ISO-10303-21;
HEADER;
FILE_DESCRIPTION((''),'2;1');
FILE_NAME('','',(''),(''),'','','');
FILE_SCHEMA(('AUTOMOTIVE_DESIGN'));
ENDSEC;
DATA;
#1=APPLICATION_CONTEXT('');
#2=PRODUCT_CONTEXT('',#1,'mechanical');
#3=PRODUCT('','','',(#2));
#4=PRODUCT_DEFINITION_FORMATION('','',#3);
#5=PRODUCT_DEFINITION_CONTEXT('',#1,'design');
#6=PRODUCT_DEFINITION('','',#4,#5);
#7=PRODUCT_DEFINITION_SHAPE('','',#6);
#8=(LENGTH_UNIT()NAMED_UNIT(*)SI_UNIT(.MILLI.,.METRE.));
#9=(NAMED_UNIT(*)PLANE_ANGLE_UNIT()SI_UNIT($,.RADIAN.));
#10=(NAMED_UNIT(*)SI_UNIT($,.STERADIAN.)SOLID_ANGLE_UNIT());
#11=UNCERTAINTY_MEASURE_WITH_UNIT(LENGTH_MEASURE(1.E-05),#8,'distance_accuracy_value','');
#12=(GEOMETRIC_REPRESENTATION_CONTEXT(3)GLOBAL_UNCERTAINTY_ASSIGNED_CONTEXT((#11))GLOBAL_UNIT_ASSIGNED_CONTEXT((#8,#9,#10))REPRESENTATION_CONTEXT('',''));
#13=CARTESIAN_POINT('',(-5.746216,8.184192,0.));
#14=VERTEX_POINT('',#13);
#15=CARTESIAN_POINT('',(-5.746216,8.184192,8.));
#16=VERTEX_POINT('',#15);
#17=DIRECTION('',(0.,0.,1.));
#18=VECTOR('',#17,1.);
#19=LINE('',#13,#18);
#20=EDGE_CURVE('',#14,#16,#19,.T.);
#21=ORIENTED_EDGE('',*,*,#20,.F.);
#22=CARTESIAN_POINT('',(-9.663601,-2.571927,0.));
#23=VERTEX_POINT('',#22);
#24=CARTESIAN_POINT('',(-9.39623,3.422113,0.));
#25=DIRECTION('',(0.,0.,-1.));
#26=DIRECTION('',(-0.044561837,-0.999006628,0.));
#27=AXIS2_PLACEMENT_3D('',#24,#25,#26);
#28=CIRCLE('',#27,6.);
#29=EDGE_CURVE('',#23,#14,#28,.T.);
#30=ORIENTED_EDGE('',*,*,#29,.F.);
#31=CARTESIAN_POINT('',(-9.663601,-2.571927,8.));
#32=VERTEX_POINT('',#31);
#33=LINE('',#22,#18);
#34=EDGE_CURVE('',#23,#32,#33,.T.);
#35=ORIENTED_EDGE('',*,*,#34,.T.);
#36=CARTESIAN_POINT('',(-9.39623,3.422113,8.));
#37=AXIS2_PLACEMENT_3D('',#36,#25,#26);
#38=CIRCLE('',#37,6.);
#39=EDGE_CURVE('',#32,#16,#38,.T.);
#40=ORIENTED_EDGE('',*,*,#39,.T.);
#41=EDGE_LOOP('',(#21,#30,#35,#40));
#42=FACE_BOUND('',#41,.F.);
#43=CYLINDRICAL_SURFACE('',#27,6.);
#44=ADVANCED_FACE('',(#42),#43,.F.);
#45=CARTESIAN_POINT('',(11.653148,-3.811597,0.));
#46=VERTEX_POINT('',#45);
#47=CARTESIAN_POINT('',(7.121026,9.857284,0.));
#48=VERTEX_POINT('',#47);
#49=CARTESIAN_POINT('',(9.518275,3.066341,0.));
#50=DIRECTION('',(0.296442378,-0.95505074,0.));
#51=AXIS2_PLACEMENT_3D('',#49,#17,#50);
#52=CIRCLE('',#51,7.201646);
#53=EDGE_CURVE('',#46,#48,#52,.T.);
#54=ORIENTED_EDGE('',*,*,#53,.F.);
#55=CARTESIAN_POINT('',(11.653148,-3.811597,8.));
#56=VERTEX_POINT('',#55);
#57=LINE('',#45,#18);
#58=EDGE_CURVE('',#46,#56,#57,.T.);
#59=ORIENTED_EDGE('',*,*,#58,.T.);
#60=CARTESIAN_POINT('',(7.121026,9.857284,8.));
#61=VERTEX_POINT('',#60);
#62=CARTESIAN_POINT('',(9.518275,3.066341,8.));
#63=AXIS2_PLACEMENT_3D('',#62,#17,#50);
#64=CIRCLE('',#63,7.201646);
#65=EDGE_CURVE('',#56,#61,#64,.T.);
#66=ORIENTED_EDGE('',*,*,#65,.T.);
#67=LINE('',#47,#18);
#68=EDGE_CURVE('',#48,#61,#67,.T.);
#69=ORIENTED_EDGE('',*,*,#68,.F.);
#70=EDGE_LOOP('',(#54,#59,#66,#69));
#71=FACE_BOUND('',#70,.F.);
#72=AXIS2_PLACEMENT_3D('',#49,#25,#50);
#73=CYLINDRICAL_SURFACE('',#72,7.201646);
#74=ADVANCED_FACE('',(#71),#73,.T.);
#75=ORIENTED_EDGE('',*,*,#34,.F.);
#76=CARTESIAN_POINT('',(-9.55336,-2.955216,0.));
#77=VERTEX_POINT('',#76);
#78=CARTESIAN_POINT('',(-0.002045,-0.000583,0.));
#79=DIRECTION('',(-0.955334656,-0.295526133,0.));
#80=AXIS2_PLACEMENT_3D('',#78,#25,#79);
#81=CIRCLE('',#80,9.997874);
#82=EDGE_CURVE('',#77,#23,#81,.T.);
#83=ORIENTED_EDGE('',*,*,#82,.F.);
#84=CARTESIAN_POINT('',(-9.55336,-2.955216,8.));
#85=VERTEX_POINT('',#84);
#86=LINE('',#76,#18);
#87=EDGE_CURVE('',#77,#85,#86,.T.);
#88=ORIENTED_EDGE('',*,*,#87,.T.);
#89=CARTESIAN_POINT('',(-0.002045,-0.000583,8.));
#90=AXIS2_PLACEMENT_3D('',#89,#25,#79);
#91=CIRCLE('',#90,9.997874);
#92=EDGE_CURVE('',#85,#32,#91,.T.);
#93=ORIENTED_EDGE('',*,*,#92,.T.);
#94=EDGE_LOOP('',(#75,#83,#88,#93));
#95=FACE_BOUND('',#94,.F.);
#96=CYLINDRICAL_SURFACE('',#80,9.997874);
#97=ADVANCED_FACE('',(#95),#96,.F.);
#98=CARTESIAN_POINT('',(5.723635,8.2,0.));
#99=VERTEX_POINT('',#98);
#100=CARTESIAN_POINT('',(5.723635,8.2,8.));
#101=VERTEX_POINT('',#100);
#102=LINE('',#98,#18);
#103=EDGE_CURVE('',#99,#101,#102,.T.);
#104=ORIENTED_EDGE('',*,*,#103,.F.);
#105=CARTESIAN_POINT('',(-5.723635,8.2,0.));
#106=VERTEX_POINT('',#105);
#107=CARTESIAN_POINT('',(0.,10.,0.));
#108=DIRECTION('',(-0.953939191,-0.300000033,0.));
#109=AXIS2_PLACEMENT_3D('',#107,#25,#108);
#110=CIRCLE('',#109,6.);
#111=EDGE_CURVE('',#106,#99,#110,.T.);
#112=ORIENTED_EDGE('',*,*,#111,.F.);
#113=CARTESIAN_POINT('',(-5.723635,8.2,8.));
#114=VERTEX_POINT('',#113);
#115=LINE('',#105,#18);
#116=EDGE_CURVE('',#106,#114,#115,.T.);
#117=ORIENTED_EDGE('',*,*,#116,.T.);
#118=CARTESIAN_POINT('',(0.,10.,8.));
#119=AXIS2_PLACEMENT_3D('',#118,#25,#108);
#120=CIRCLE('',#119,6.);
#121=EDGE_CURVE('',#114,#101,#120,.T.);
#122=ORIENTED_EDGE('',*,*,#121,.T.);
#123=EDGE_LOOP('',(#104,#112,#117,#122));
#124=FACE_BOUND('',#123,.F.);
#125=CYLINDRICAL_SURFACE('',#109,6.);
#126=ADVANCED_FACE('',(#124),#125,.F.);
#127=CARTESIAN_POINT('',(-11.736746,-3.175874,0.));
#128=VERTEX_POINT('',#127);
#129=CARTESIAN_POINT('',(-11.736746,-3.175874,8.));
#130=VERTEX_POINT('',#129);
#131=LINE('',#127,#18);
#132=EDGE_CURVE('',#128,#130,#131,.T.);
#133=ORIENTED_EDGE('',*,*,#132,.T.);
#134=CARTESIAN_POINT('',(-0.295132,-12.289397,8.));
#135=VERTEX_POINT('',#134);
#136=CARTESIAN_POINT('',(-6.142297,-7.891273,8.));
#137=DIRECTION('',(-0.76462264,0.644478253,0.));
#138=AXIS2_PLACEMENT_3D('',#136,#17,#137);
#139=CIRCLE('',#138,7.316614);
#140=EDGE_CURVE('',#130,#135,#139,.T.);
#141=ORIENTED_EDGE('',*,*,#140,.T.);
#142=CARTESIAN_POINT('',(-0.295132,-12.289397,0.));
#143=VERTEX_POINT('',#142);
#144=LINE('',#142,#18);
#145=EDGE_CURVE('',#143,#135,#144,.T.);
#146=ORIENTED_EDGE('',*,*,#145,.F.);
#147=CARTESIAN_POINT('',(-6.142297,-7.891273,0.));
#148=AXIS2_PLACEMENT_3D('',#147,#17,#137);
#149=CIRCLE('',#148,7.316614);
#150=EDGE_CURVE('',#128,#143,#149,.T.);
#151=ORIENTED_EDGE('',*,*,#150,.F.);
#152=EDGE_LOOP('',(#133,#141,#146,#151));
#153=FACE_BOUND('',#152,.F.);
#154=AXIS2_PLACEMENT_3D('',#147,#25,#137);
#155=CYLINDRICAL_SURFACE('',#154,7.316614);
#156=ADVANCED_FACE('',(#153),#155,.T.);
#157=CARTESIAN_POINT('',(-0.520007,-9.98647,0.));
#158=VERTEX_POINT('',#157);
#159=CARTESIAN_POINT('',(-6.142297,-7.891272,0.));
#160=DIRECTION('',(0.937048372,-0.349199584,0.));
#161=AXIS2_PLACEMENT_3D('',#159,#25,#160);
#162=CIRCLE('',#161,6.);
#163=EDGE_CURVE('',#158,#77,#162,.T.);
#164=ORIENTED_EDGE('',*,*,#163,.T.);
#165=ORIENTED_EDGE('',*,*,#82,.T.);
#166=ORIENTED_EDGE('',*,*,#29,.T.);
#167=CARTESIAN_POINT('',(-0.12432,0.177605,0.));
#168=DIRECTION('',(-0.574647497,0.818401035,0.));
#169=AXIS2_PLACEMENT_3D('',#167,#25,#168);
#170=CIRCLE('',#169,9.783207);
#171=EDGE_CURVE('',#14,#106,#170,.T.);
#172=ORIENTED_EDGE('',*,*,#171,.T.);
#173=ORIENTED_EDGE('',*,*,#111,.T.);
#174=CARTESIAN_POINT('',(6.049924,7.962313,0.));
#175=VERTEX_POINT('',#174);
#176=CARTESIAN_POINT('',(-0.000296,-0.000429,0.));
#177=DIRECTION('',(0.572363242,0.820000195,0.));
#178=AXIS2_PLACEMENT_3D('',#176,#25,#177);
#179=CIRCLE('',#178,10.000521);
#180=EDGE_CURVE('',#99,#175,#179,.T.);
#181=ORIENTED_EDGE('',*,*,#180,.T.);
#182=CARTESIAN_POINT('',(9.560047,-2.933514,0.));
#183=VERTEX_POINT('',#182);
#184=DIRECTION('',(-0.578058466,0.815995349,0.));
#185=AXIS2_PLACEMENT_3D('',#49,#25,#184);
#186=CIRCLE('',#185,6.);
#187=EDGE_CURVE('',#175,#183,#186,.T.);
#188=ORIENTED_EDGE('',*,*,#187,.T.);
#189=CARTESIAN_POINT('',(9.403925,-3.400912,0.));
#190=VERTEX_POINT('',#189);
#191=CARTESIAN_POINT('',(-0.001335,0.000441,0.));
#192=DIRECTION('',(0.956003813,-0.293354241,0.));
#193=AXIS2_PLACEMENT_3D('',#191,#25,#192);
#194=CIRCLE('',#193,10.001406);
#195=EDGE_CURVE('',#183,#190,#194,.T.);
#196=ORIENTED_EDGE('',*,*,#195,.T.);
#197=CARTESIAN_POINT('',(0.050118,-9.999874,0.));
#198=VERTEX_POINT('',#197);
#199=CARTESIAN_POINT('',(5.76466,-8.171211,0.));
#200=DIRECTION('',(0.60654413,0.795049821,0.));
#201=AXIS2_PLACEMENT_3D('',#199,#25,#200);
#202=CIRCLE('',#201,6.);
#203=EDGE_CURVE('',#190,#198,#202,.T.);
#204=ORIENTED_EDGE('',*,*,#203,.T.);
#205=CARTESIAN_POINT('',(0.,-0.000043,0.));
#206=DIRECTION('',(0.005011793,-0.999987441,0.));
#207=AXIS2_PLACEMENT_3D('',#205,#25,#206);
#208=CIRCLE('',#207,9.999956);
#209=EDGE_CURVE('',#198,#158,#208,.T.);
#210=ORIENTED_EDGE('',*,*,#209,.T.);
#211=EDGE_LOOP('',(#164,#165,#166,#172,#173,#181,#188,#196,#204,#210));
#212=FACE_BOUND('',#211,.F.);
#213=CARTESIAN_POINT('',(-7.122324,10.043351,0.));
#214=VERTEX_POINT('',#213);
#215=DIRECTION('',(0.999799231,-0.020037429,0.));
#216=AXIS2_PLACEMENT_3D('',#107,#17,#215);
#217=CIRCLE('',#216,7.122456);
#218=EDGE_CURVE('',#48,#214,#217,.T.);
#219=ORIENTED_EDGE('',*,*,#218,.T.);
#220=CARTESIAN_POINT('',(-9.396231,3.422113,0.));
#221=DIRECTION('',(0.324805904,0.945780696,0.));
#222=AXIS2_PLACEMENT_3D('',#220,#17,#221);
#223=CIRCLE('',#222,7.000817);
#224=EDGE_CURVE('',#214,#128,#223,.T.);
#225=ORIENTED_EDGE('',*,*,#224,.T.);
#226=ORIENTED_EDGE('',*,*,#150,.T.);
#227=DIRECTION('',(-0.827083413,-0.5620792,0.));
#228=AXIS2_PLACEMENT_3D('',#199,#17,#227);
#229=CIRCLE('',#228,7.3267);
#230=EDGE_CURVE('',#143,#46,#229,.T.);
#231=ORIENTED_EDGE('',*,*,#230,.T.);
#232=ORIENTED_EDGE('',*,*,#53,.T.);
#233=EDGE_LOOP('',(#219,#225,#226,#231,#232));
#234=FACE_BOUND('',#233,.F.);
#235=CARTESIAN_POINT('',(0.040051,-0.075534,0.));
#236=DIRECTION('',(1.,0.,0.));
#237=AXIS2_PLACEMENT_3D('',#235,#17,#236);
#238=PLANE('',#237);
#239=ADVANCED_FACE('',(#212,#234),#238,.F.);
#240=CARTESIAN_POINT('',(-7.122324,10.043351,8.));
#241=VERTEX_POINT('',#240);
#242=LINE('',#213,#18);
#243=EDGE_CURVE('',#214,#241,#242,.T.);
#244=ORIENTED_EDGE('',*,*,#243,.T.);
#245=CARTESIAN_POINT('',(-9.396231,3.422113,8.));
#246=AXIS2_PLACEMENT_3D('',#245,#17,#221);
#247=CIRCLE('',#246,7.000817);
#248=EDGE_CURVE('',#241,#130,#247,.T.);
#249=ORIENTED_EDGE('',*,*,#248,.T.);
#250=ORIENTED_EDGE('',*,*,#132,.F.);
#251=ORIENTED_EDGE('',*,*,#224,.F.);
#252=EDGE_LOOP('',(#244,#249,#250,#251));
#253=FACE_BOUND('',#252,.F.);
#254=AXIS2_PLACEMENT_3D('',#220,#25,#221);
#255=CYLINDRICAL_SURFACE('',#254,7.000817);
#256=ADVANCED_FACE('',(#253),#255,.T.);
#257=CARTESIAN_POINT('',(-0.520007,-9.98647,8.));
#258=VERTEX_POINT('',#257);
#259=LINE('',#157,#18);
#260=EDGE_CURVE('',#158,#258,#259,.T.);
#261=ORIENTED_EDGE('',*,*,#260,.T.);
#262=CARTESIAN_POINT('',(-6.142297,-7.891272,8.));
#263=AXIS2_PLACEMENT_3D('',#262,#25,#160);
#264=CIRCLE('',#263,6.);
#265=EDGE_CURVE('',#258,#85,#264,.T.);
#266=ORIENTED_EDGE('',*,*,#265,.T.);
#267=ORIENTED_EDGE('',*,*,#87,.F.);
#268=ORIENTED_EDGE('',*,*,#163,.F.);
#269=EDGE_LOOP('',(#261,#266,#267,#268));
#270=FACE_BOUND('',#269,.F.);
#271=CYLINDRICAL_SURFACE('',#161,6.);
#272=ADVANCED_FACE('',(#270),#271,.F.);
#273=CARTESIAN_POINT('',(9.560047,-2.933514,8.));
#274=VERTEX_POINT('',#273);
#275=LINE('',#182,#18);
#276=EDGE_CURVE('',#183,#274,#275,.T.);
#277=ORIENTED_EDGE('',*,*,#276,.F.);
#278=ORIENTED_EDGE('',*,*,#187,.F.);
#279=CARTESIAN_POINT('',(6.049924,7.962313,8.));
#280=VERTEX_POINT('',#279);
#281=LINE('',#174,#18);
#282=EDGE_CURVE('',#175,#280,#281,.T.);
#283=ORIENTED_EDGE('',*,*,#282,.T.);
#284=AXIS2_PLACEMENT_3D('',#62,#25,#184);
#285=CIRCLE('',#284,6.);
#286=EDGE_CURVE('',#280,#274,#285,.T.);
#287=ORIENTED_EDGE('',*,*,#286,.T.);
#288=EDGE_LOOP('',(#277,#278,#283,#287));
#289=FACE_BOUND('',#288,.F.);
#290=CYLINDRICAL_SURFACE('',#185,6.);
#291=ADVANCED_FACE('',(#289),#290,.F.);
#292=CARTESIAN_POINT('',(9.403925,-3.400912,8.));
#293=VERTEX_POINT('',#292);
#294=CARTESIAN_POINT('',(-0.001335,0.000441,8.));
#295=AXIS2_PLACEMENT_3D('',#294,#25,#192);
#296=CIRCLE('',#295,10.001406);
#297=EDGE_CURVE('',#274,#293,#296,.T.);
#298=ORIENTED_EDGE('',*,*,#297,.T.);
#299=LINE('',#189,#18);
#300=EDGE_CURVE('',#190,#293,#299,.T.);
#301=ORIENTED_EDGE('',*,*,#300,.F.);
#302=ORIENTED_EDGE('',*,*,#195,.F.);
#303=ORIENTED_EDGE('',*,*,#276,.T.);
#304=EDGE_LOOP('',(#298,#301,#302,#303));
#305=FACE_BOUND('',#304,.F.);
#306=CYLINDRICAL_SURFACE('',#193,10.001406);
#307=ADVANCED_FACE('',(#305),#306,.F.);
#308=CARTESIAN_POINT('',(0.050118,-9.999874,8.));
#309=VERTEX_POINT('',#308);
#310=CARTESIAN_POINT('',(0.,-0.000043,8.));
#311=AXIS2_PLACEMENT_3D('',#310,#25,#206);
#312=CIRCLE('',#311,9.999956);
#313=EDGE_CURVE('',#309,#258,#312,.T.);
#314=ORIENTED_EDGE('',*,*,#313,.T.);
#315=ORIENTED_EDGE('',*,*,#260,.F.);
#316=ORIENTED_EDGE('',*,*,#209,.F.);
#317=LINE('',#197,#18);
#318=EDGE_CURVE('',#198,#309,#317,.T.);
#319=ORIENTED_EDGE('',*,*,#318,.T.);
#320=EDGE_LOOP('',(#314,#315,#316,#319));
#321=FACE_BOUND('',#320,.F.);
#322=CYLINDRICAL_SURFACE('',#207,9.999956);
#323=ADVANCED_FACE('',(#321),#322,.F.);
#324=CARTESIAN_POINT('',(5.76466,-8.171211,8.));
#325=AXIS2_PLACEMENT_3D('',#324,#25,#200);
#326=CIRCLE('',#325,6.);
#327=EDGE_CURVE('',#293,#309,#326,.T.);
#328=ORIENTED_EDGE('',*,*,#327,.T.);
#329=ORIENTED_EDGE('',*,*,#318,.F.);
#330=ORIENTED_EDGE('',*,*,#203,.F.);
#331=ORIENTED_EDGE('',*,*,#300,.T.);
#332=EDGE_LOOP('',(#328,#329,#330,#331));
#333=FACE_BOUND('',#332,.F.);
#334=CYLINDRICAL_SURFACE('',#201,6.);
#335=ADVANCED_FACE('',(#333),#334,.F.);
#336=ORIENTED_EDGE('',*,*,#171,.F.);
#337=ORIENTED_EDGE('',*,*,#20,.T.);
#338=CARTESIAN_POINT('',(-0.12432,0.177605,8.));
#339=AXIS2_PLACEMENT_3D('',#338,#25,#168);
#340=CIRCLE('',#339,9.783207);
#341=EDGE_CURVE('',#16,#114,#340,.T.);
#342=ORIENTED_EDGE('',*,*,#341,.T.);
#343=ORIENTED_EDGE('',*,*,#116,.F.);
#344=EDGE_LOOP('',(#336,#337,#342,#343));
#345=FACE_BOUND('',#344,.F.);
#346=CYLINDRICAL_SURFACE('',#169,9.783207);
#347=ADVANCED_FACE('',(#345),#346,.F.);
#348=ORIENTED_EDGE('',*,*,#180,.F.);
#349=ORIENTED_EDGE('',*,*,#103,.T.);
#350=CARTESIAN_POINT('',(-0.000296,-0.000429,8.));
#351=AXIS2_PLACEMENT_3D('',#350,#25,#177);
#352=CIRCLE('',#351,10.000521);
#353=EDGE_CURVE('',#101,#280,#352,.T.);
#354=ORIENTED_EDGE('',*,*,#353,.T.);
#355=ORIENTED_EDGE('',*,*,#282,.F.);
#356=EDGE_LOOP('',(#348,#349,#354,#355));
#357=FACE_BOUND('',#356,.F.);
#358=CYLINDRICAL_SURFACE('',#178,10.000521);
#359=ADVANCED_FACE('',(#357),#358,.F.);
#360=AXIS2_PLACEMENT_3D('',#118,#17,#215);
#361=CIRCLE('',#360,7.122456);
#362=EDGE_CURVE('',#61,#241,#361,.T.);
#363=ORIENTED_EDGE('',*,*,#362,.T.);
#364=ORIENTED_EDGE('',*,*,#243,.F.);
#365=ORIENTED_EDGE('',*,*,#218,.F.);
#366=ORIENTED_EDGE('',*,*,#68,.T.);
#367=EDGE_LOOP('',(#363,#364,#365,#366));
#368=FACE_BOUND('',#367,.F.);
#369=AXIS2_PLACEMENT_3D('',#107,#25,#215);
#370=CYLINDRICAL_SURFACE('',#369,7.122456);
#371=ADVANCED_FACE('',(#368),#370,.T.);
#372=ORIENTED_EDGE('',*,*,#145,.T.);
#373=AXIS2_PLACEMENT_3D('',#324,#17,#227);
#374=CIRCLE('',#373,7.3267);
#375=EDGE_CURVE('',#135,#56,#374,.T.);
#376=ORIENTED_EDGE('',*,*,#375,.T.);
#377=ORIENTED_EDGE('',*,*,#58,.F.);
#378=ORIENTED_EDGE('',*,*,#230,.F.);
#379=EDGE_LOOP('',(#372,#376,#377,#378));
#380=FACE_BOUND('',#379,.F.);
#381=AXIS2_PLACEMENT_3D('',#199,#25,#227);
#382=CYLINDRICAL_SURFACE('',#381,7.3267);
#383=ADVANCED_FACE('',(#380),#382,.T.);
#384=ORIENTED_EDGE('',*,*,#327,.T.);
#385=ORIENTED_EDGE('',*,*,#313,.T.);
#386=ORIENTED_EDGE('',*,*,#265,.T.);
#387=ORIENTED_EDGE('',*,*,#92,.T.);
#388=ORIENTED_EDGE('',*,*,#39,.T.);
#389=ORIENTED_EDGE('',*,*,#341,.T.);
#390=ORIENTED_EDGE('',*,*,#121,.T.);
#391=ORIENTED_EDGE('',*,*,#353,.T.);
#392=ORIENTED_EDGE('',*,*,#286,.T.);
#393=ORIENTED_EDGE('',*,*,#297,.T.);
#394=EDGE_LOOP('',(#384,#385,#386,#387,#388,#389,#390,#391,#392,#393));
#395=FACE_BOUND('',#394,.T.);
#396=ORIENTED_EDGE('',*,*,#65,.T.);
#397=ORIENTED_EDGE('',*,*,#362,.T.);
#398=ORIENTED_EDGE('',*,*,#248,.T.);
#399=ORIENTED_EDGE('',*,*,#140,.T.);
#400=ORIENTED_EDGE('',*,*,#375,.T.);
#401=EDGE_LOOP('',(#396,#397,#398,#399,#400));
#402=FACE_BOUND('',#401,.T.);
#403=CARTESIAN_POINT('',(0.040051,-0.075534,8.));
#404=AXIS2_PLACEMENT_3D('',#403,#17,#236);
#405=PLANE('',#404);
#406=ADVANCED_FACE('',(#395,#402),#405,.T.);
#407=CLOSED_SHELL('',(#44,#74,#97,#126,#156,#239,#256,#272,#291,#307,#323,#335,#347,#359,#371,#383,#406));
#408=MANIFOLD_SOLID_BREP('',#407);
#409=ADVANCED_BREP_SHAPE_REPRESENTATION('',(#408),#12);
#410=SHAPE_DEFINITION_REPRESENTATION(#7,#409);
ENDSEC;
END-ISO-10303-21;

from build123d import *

# Parameters (mm, degrees)
F1_DEPTH = 8


with BuildPart() as f1:
    # F0 (on Top) → F1 (new body)
    with BuildSketch(Plane.XY):
        with BuildLine():
            ThreePointArc((-7.122324, 10.043351), (-16.005927, 5.729354), (-11.736746, -3.175874))
            ThreePointArc((-11.736746, -3.175874), (-10.70081, -13.614279), (-0.295132, -12.289397))
            ThreePointArc((-0.295132, -12.289397), (10.004425, -14.146571), (11.653148, -3.811597))
            ThreePointArc((11.653148, -3.811597), (16.353974, 5.33282), (7.121026, 9.857284))
            ThreePointArc((7.121026, 9.857284), (0.093036, 17.121848), (-7.122324, 10.043351))
        make_face()
        with BuildLine():
            ThreePointArc((-9.55336, -2.955216), (-9.610392, -2.764121), (-9.663601, -2.571927))
            ThreePointArc((-9.663601, -2.571927), (-15.033968, 5.475381), (-5.746216, 8.184192))
            ThreePointArc((-5.746216, 8.184192), (-5.734931, 8.192104), (-5.723635, 8.2))
            ThreePointArc((-5.723635, 8.2), (0, 16), (5.723635, 8.2))
            ThreePointArc((5.723635, 8.2), (5.887979, 8.082803), (6.049924, 7.962313))
            ThreePointArc((6.049924, 7.962313), (15.22924, 4.906145), (9.560047, -2.933514))
            ThreePointArc((9.560047, -2.933514), (9.484865, -3.168175), (9.403925, -3.400912))
            ThreePointArc((9.403925, -3.400912), (9.223456, -13.073938), (0.050118, -9.999874))
            ThreePointArc((0.050118, -9.999874), (-0.23504, -9.997237), (-0.520007, -9.98647))
            ThreePointArc((-0.520007, -9.98647), (-9.827676, -12.626036), (-9.55336, -2.955216))
        make_face(mode=Mode.SUBTRACT)
    extrude(amount=F1_DEPTH)


solid = f1.part
